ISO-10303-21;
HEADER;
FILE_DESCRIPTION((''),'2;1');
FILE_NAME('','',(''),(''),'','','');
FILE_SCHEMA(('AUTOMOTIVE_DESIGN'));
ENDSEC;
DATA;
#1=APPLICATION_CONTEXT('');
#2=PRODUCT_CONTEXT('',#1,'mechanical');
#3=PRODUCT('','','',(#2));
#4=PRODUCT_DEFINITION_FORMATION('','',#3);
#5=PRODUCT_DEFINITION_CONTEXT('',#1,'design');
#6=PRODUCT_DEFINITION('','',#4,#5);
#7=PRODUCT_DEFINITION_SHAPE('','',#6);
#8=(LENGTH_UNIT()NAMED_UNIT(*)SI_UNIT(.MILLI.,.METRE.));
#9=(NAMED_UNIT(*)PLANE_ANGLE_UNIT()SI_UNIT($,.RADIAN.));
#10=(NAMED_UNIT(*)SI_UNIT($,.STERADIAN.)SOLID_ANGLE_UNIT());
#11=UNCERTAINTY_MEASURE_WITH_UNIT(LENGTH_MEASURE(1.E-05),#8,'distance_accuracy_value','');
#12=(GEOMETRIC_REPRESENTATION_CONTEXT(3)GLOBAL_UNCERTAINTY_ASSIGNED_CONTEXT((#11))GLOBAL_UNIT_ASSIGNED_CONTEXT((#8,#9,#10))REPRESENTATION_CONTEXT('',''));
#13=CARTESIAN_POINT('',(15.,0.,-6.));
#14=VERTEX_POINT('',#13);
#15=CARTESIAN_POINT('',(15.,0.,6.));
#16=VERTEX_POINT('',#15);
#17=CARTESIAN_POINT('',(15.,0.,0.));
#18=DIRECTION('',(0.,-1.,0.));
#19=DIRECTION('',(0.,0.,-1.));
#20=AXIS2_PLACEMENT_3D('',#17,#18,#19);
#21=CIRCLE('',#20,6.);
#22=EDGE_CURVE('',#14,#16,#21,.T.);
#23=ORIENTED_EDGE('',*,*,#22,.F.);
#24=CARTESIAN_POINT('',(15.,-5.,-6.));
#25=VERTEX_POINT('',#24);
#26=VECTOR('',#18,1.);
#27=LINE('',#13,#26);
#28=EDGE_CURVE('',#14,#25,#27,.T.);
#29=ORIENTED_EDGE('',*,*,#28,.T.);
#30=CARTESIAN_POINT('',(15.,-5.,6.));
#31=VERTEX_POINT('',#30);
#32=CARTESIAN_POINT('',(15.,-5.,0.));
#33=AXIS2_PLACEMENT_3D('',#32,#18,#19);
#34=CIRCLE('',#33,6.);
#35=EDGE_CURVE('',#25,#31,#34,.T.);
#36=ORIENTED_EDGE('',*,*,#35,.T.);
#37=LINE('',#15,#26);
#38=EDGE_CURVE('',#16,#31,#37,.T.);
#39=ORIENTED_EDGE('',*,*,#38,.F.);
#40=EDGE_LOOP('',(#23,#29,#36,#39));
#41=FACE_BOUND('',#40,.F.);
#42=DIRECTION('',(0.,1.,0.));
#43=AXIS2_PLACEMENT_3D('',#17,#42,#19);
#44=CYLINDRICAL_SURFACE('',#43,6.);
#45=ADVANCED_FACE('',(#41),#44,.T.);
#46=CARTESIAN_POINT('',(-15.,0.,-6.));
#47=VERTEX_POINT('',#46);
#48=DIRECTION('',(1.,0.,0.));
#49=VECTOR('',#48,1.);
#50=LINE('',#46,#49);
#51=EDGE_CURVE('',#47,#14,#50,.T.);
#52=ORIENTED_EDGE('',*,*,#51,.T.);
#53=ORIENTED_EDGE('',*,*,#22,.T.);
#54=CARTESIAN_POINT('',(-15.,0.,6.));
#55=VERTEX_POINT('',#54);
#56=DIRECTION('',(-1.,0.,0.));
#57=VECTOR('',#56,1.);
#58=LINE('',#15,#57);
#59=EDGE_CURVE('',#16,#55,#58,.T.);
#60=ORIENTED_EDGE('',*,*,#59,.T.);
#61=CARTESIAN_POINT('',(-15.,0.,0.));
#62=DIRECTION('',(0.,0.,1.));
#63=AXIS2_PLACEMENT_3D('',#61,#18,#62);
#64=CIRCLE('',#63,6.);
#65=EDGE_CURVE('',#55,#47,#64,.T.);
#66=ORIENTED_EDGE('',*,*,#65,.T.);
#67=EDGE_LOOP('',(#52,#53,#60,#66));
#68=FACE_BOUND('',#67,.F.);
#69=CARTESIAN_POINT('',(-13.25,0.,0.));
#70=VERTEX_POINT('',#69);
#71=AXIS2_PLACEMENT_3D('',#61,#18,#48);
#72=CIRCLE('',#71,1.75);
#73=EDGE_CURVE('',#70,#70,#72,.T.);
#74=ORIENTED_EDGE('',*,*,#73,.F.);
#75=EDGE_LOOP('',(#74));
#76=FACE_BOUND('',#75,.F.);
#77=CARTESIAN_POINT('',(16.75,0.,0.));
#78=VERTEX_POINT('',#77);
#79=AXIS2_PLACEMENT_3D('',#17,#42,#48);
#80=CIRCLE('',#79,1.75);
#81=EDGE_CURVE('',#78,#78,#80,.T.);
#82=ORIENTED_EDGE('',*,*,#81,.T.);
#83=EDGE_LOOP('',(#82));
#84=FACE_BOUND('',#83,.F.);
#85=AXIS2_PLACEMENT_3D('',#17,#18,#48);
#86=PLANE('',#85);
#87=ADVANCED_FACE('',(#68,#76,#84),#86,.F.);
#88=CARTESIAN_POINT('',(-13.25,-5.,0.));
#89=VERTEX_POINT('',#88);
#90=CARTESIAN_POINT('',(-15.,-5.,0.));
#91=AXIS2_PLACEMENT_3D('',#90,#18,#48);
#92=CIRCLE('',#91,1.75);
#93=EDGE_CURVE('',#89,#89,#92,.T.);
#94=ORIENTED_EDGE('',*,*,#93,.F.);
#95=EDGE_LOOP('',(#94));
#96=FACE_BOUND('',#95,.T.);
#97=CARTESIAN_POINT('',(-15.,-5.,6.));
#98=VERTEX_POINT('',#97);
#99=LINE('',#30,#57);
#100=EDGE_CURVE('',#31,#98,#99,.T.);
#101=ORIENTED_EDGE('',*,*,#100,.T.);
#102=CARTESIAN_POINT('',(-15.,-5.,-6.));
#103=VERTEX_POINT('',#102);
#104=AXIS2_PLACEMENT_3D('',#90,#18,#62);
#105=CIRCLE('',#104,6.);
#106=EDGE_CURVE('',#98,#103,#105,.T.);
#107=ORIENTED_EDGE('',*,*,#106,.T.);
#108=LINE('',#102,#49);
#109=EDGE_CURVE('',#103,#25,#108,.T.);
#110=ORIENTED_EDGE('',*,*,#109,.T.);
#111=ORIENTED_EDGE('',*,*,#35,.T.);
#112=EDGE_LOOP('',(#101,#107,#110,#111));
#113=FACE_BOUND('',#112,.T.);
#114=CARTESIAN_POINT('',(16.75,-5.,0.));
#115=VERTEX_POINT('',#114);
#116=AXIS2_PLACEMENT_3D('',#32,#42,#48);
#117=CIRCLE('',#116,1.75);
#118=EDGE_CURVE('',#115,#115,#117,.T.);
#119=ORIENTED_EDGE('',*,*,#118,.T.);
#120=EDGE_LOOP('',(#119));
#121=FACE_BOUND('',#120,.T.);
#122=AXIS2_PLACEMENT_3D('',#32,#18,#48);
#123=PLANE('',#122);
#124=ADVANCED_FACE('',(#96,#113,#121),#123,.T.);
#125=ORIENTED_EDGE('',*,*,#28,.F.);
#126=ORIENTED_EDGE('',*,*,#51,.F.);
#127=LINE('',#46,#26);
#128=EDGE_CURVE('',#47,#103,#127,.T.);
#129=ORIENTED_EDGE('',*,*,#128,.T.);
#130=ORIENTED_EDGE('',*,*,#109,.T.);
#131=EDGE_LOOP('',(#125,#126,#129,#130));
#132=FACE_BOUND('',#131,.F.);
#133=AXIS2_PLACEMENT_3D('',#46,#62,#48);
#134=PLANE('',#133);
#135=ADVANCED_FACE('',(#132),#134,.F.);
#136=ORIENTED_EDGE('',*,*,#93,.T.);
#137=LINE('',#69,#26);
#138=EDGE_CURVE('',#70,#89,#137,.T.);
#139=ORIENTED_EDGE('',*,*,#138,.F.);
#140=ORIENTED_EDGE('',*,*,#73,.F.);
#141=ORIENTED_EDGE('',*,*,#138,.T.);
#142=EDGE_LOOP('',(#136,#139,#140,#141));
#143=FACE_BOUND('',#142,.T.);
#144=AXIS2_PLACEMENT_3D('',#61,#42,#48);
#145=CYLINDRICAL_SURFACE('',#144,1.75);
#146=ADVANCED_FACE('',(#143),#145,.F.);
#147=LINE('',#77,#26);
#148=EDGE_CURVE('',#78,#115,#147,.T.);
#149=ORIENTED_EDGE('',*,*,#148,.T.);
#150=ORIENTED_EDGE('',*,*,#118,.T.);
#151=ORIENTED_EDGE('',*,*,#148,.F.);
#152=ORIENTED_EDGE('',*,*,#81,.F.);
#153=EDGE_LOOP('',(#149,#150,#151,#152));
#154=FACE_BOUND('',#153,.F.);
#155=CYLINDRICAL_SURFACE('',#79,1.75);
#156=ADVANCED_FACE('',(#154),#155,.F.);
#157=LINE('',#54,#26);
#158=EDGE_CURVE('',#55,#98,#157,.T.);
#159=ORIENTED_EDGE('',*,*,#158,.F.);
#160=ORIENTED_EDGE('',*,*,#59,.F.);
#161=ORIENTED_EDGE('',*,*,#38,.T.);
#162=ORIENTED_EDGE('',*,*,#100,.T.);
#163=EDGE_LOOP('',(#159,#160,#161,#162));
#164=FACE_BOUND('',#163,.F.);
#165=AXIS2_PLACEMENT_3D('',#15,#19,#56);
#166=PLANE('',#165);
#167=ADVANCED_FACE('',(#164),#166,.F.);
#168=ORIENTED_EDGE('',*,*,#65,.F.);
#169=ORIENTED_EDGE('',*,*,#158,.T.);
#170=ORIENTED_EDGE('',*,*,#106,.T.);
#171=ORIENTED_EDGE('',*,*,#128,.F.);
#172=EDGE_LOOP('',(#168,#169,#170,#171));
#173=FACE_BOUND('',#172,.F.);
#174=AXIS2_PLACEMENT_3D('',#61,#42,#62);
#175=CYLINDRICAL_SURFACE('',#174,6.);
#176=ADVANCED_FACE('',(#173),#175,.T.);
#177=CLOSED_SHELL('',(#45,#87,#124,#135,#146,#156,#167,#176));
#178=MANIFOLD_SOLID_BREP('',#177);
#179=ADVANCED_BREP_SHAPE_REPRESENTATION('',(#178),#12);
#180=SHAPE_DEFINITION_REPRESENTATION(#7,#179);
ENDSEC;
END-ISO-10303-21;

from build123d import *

# Parameters (mm, degrees)
F0_R     = 1.75
F1_DEPTH = 5


with BuildPart() as f1:
    # F0 (on Front) → F1 (new body)
    with BuildSketch(Plane.XZ):
        with BuildLine():
            ThreePointArc((13.25, 0), (15, -1.75), (16.75, 0))
            ThreePointArc((16.75, 0), (15, 1.75), (13.25, 0))
        make_face()
        with Locations((-15, 0)):
            Circle(F0_R)
        with BuildLine():
            ThreePointArc((-15, 6), (-21, 0), (-15, -6))
            Line((-15, -6), (15, -6))
            ThreePointArc((15, -6), (21, 0), (15, 6))
            Line((15, 6), (-15, 6))
        make_face()
        with Locations((-15, 0)):
            Circle(F0_R, mode=Mode.SUBTRACT)
        with BuildLine():
            ThreePointArc((13.25, 0), (15, 1.75), (16.75, 0))
            ThreePointArc((16.75, 0), (15, -1.75), (13.25, 0))
        make_face(mode=Mode.SUBTRACT)
    extrude(amount=F1_DEPTH)


solid = f1.part
